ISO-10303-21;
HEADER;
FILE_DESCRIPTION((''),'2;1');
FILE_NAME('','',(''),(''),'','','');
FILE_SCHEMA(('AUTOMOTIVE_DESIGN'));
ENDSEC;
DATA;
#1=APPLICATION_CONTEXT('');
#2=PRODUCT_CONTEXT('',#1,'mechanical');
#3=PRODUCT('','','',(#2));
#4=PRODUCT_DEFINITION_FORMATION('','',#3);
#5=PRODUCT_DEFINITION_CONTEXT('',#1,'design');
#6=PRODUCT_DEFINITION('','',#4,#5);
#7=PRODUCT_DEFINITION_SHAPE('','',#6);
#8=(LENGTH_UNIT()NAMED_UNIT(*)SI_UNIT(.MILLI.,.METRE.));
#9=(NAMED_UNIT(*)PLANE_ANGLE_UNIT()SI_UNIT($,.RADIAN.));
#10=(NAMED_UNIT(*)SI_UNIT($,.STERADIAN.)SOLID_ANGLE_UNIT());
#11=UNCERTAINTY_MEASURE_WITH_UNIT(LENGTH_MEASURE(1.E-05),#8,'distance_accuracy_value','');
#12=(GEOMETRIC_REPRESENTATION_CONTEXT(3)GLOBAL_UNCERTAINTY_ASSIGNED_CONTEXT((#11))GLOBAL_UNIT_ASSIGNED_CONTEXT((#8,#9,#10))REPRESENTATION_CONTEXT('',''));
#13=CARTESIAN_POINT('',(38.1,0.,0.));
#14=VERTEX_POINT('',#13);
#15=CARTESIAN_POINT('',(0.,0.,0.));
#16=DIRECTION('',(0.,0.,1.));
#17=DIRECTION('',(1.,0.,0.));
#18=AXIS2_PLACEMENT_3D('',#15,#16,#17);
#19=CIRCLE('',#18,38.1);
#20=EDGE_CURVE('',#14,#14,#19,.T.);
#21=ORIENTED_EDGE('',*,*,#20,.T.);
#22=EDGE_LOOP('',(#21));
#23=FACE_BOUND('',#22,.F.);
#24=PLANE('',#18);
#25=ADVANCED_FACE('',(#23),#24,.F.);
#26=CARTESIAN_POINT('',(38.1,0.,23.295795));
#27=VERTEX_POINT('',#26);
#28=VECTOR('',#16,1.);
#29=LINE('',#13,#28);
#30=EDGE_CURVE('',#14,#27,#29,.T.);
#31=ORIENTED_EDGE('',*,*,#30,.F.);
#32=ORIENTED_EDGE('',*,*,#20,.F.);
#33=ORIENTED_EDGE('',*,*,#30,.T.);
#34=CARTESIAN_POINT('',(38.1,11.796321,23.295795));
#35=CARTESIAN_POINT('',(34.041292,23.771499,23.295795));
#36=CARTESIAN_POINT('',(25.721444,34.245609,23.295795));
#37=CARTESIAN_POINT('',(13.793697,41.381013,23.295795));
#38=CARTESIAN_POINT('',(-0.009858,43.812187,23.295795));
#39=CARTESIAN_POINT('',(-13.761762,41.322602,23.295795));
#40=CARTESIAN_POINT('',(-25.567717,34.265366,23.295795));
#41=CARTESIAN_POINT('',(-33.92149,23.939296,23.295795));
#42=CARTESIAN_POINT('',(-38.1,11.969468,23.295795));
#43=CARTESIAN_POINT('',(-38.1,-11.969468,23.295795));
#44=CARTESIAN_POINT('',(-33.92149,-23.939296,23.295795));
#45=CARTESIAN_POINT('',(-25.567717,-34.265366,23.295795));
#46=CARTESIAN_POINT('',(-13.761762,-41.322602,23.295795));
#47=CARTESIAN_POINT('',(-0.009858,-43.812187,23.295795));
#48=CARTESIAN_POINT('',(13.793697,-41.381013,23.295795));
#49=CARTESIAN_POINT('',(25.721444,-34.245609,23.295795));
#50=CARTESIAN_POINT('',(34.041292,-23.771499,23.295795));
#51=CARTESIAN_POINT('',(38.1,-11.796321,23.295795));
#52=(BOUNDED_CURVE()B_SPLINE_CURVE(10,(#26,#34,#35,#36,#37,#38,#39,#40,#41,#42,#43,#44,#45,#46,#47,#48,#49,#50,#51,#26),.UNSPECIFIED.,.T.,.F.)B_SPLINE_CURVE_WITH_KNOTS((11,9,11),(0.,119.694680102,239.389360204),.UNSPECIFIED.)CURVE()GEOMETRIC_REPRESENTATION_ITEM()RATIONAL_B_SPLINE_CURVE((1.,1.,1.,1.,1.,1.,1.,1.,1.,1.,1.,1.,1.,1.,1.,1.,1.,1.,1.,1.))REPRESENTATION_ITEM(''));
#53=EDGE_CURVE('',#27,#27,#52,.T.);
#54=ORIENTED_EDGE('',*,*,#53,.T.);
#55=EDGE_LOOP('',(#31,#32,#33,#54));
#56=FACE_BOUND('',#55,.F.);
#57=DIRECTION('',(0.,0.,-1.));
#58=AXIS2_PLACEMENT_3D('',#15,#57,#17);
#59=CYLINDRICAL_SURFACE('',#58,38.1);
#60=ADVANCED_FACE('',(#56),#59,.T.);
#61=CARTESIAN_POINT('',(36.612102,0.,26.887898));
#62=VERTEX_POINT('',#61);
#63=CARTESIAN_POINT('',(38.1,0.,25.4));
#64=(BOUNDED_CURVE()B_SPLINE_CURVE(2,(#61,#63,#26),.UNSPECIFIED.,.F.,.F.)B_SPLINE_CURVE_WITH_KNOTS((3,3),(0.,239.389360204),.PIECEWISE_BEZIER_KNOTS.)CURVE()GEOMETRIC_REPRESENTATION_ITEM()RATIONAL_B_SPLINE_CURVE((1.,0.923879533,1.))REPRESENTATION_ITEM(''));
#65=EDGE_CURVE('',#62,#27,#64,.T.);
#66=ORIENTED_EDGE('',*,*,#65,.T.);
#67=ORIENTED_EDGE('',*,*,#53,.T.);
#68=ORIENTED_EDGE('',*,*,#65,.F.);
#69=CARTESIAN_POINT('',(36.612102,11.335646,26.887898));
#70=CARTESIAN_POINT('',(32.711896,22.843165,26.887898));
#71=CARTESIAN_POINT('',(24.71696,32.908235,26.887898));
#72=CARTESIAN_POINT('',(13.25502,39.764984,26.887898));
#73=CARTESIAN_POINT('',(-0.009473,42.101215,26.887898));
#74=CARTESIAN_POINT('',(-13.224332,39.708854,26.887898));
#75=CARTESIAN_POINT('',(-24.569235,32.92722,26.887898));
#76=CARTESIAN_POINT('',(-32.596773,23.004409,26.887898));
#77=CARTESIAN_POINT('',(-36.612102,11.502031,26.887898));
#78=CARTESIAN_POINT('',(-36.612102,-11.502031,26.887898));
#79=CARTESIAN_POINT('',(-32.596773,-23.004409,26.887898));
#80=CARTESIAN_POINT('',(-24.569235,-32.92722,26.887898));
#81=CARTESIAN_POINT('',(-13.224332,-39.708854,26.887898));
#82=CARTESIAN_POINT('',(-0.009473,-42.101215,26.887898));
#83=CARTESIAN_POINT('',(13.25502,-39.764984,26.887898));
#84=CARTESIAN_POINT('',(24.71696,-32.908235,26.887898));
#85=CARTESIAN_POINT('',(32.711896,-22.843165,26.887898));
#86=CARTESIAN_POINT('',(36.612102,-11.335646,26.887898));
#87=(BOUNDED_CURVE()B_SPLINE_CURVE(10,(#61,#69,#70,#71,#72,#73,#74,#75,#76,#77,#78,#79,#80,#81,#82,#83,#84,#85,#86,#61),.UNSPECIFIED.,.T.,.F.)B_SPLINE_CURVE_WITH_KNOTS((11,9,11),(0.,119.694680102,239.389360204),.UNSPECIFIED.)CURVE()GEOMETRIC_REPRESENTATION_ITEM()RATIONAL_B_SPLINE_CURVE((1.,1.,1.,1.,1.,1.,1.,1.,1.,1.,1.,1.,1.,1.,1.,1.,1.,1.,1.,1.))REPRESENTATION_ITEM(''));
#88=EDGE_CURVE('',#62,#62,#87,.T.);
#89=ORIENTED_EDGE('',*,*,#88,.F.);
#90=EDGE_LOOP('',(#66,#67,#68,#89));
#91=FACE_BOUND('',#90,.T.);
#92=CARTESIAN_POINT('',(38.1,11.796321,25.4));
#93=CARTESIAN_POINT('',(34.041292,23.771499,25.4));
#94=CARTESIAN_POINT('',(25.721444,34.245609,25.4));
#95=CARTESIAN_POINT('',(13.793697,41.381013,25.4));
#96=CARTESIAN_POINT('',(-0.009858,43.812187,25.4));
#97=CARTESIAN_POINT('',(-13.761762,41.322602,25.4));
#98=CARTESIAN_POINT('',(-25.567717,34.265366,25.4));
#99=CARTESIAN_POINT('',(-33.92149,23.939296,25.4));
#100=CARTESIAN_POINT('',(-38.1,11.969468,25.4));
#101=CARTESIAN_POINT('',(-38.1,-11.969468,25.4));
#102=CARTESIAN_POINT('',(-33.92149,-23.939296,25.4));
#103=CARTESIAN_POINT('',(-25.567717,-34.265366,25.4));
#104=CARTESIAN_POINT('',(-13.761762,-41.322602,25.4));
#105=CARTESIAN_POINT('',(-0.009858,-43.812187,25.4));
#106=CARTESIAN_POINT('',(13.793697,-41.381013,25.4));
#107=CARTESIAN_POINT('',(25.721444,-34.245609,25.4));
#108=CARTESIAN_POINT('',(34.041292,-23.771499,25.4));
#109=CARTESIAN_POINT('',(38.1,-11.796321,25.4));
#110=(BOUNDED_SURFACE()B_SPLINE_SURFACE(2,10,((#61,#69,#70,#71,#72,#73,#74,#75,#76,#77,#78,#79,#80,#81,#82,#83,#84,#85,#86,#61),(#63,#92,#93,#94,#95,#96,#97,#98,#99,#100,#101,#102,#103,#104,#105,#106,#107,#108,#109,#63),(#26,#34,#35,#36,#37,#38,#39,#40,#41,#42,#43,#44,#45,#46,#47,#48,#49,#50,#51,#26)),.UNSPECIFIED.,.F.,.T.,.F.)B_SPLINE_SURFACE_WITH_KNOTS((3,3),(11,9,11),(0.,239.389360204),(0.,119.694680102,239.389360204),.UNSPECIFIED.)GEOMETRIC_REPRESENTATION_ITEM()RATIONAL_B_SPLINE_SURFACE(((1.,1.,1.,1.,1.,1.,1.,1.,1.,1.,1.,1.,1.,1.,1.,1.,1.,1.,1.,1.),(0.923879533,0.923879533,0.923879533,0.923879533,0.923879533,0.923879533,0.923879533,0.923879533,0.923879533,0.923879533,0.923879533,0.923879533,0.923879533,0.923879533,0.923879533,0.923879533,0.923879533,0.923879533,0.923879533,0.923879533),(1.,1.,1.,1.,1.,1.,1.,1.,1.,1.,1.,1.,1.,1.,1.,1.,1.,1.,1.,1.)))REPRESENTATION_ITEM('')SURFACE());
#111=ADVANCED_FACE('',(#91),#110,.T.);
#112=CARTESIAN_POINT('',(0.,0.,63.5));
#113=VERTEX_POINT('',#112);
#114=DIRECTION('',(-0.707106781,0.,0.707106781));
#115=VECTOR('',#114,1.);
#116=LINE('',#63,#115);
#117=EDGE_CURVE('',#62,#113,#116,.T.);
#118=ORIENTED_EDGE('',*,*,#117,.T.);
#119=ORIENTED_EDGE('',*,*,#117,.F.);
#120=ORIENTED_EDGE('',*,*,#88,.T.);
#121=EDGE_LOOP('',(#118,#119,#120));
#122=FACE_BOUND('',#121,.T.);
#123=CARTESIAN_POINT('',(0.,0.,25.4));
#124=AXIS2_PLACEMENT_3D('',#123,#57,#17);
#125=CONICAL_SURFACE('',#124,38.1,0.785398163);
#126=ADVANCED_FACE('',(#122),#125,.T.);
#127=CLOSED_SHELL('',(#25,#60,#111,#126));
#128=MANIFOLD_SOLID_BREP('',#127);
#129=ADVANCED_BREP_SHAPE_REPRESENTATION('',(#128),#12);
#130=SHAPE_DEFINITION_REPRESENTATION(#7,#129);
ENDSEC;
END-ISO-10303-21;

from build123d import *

# Parameters (mm, degrees)
F0_R     = 38.1
F1_DEPTH = 25.4
F2_R     = 38.1
F3_DEPTH = 38.1
F3_TAPER = 45
F4_R     = 5.08


with BuildPart() as f1:
    # F0 (on Top) → F1 (new body)
    with BuildSketch(Plane.XY):
        Circle(F0_R)
    extrude(amount=F1_DEPTH)

    # F2 (on face) → F3 (join)
    with BuildSketch(Plane.XY.offset(25.4)):
        Circle(F2_R)
    extrude(amount=F3_DEPTH, taper=F3_TAPER)

    # F4
    f4_edges = [f1.edges().sort_by_distance(p)[0] for p in [
        (-38.1, 0, 25.4),
    ]]
    fillet(f4_edges, radius=F4_R)


solid = f1.part
